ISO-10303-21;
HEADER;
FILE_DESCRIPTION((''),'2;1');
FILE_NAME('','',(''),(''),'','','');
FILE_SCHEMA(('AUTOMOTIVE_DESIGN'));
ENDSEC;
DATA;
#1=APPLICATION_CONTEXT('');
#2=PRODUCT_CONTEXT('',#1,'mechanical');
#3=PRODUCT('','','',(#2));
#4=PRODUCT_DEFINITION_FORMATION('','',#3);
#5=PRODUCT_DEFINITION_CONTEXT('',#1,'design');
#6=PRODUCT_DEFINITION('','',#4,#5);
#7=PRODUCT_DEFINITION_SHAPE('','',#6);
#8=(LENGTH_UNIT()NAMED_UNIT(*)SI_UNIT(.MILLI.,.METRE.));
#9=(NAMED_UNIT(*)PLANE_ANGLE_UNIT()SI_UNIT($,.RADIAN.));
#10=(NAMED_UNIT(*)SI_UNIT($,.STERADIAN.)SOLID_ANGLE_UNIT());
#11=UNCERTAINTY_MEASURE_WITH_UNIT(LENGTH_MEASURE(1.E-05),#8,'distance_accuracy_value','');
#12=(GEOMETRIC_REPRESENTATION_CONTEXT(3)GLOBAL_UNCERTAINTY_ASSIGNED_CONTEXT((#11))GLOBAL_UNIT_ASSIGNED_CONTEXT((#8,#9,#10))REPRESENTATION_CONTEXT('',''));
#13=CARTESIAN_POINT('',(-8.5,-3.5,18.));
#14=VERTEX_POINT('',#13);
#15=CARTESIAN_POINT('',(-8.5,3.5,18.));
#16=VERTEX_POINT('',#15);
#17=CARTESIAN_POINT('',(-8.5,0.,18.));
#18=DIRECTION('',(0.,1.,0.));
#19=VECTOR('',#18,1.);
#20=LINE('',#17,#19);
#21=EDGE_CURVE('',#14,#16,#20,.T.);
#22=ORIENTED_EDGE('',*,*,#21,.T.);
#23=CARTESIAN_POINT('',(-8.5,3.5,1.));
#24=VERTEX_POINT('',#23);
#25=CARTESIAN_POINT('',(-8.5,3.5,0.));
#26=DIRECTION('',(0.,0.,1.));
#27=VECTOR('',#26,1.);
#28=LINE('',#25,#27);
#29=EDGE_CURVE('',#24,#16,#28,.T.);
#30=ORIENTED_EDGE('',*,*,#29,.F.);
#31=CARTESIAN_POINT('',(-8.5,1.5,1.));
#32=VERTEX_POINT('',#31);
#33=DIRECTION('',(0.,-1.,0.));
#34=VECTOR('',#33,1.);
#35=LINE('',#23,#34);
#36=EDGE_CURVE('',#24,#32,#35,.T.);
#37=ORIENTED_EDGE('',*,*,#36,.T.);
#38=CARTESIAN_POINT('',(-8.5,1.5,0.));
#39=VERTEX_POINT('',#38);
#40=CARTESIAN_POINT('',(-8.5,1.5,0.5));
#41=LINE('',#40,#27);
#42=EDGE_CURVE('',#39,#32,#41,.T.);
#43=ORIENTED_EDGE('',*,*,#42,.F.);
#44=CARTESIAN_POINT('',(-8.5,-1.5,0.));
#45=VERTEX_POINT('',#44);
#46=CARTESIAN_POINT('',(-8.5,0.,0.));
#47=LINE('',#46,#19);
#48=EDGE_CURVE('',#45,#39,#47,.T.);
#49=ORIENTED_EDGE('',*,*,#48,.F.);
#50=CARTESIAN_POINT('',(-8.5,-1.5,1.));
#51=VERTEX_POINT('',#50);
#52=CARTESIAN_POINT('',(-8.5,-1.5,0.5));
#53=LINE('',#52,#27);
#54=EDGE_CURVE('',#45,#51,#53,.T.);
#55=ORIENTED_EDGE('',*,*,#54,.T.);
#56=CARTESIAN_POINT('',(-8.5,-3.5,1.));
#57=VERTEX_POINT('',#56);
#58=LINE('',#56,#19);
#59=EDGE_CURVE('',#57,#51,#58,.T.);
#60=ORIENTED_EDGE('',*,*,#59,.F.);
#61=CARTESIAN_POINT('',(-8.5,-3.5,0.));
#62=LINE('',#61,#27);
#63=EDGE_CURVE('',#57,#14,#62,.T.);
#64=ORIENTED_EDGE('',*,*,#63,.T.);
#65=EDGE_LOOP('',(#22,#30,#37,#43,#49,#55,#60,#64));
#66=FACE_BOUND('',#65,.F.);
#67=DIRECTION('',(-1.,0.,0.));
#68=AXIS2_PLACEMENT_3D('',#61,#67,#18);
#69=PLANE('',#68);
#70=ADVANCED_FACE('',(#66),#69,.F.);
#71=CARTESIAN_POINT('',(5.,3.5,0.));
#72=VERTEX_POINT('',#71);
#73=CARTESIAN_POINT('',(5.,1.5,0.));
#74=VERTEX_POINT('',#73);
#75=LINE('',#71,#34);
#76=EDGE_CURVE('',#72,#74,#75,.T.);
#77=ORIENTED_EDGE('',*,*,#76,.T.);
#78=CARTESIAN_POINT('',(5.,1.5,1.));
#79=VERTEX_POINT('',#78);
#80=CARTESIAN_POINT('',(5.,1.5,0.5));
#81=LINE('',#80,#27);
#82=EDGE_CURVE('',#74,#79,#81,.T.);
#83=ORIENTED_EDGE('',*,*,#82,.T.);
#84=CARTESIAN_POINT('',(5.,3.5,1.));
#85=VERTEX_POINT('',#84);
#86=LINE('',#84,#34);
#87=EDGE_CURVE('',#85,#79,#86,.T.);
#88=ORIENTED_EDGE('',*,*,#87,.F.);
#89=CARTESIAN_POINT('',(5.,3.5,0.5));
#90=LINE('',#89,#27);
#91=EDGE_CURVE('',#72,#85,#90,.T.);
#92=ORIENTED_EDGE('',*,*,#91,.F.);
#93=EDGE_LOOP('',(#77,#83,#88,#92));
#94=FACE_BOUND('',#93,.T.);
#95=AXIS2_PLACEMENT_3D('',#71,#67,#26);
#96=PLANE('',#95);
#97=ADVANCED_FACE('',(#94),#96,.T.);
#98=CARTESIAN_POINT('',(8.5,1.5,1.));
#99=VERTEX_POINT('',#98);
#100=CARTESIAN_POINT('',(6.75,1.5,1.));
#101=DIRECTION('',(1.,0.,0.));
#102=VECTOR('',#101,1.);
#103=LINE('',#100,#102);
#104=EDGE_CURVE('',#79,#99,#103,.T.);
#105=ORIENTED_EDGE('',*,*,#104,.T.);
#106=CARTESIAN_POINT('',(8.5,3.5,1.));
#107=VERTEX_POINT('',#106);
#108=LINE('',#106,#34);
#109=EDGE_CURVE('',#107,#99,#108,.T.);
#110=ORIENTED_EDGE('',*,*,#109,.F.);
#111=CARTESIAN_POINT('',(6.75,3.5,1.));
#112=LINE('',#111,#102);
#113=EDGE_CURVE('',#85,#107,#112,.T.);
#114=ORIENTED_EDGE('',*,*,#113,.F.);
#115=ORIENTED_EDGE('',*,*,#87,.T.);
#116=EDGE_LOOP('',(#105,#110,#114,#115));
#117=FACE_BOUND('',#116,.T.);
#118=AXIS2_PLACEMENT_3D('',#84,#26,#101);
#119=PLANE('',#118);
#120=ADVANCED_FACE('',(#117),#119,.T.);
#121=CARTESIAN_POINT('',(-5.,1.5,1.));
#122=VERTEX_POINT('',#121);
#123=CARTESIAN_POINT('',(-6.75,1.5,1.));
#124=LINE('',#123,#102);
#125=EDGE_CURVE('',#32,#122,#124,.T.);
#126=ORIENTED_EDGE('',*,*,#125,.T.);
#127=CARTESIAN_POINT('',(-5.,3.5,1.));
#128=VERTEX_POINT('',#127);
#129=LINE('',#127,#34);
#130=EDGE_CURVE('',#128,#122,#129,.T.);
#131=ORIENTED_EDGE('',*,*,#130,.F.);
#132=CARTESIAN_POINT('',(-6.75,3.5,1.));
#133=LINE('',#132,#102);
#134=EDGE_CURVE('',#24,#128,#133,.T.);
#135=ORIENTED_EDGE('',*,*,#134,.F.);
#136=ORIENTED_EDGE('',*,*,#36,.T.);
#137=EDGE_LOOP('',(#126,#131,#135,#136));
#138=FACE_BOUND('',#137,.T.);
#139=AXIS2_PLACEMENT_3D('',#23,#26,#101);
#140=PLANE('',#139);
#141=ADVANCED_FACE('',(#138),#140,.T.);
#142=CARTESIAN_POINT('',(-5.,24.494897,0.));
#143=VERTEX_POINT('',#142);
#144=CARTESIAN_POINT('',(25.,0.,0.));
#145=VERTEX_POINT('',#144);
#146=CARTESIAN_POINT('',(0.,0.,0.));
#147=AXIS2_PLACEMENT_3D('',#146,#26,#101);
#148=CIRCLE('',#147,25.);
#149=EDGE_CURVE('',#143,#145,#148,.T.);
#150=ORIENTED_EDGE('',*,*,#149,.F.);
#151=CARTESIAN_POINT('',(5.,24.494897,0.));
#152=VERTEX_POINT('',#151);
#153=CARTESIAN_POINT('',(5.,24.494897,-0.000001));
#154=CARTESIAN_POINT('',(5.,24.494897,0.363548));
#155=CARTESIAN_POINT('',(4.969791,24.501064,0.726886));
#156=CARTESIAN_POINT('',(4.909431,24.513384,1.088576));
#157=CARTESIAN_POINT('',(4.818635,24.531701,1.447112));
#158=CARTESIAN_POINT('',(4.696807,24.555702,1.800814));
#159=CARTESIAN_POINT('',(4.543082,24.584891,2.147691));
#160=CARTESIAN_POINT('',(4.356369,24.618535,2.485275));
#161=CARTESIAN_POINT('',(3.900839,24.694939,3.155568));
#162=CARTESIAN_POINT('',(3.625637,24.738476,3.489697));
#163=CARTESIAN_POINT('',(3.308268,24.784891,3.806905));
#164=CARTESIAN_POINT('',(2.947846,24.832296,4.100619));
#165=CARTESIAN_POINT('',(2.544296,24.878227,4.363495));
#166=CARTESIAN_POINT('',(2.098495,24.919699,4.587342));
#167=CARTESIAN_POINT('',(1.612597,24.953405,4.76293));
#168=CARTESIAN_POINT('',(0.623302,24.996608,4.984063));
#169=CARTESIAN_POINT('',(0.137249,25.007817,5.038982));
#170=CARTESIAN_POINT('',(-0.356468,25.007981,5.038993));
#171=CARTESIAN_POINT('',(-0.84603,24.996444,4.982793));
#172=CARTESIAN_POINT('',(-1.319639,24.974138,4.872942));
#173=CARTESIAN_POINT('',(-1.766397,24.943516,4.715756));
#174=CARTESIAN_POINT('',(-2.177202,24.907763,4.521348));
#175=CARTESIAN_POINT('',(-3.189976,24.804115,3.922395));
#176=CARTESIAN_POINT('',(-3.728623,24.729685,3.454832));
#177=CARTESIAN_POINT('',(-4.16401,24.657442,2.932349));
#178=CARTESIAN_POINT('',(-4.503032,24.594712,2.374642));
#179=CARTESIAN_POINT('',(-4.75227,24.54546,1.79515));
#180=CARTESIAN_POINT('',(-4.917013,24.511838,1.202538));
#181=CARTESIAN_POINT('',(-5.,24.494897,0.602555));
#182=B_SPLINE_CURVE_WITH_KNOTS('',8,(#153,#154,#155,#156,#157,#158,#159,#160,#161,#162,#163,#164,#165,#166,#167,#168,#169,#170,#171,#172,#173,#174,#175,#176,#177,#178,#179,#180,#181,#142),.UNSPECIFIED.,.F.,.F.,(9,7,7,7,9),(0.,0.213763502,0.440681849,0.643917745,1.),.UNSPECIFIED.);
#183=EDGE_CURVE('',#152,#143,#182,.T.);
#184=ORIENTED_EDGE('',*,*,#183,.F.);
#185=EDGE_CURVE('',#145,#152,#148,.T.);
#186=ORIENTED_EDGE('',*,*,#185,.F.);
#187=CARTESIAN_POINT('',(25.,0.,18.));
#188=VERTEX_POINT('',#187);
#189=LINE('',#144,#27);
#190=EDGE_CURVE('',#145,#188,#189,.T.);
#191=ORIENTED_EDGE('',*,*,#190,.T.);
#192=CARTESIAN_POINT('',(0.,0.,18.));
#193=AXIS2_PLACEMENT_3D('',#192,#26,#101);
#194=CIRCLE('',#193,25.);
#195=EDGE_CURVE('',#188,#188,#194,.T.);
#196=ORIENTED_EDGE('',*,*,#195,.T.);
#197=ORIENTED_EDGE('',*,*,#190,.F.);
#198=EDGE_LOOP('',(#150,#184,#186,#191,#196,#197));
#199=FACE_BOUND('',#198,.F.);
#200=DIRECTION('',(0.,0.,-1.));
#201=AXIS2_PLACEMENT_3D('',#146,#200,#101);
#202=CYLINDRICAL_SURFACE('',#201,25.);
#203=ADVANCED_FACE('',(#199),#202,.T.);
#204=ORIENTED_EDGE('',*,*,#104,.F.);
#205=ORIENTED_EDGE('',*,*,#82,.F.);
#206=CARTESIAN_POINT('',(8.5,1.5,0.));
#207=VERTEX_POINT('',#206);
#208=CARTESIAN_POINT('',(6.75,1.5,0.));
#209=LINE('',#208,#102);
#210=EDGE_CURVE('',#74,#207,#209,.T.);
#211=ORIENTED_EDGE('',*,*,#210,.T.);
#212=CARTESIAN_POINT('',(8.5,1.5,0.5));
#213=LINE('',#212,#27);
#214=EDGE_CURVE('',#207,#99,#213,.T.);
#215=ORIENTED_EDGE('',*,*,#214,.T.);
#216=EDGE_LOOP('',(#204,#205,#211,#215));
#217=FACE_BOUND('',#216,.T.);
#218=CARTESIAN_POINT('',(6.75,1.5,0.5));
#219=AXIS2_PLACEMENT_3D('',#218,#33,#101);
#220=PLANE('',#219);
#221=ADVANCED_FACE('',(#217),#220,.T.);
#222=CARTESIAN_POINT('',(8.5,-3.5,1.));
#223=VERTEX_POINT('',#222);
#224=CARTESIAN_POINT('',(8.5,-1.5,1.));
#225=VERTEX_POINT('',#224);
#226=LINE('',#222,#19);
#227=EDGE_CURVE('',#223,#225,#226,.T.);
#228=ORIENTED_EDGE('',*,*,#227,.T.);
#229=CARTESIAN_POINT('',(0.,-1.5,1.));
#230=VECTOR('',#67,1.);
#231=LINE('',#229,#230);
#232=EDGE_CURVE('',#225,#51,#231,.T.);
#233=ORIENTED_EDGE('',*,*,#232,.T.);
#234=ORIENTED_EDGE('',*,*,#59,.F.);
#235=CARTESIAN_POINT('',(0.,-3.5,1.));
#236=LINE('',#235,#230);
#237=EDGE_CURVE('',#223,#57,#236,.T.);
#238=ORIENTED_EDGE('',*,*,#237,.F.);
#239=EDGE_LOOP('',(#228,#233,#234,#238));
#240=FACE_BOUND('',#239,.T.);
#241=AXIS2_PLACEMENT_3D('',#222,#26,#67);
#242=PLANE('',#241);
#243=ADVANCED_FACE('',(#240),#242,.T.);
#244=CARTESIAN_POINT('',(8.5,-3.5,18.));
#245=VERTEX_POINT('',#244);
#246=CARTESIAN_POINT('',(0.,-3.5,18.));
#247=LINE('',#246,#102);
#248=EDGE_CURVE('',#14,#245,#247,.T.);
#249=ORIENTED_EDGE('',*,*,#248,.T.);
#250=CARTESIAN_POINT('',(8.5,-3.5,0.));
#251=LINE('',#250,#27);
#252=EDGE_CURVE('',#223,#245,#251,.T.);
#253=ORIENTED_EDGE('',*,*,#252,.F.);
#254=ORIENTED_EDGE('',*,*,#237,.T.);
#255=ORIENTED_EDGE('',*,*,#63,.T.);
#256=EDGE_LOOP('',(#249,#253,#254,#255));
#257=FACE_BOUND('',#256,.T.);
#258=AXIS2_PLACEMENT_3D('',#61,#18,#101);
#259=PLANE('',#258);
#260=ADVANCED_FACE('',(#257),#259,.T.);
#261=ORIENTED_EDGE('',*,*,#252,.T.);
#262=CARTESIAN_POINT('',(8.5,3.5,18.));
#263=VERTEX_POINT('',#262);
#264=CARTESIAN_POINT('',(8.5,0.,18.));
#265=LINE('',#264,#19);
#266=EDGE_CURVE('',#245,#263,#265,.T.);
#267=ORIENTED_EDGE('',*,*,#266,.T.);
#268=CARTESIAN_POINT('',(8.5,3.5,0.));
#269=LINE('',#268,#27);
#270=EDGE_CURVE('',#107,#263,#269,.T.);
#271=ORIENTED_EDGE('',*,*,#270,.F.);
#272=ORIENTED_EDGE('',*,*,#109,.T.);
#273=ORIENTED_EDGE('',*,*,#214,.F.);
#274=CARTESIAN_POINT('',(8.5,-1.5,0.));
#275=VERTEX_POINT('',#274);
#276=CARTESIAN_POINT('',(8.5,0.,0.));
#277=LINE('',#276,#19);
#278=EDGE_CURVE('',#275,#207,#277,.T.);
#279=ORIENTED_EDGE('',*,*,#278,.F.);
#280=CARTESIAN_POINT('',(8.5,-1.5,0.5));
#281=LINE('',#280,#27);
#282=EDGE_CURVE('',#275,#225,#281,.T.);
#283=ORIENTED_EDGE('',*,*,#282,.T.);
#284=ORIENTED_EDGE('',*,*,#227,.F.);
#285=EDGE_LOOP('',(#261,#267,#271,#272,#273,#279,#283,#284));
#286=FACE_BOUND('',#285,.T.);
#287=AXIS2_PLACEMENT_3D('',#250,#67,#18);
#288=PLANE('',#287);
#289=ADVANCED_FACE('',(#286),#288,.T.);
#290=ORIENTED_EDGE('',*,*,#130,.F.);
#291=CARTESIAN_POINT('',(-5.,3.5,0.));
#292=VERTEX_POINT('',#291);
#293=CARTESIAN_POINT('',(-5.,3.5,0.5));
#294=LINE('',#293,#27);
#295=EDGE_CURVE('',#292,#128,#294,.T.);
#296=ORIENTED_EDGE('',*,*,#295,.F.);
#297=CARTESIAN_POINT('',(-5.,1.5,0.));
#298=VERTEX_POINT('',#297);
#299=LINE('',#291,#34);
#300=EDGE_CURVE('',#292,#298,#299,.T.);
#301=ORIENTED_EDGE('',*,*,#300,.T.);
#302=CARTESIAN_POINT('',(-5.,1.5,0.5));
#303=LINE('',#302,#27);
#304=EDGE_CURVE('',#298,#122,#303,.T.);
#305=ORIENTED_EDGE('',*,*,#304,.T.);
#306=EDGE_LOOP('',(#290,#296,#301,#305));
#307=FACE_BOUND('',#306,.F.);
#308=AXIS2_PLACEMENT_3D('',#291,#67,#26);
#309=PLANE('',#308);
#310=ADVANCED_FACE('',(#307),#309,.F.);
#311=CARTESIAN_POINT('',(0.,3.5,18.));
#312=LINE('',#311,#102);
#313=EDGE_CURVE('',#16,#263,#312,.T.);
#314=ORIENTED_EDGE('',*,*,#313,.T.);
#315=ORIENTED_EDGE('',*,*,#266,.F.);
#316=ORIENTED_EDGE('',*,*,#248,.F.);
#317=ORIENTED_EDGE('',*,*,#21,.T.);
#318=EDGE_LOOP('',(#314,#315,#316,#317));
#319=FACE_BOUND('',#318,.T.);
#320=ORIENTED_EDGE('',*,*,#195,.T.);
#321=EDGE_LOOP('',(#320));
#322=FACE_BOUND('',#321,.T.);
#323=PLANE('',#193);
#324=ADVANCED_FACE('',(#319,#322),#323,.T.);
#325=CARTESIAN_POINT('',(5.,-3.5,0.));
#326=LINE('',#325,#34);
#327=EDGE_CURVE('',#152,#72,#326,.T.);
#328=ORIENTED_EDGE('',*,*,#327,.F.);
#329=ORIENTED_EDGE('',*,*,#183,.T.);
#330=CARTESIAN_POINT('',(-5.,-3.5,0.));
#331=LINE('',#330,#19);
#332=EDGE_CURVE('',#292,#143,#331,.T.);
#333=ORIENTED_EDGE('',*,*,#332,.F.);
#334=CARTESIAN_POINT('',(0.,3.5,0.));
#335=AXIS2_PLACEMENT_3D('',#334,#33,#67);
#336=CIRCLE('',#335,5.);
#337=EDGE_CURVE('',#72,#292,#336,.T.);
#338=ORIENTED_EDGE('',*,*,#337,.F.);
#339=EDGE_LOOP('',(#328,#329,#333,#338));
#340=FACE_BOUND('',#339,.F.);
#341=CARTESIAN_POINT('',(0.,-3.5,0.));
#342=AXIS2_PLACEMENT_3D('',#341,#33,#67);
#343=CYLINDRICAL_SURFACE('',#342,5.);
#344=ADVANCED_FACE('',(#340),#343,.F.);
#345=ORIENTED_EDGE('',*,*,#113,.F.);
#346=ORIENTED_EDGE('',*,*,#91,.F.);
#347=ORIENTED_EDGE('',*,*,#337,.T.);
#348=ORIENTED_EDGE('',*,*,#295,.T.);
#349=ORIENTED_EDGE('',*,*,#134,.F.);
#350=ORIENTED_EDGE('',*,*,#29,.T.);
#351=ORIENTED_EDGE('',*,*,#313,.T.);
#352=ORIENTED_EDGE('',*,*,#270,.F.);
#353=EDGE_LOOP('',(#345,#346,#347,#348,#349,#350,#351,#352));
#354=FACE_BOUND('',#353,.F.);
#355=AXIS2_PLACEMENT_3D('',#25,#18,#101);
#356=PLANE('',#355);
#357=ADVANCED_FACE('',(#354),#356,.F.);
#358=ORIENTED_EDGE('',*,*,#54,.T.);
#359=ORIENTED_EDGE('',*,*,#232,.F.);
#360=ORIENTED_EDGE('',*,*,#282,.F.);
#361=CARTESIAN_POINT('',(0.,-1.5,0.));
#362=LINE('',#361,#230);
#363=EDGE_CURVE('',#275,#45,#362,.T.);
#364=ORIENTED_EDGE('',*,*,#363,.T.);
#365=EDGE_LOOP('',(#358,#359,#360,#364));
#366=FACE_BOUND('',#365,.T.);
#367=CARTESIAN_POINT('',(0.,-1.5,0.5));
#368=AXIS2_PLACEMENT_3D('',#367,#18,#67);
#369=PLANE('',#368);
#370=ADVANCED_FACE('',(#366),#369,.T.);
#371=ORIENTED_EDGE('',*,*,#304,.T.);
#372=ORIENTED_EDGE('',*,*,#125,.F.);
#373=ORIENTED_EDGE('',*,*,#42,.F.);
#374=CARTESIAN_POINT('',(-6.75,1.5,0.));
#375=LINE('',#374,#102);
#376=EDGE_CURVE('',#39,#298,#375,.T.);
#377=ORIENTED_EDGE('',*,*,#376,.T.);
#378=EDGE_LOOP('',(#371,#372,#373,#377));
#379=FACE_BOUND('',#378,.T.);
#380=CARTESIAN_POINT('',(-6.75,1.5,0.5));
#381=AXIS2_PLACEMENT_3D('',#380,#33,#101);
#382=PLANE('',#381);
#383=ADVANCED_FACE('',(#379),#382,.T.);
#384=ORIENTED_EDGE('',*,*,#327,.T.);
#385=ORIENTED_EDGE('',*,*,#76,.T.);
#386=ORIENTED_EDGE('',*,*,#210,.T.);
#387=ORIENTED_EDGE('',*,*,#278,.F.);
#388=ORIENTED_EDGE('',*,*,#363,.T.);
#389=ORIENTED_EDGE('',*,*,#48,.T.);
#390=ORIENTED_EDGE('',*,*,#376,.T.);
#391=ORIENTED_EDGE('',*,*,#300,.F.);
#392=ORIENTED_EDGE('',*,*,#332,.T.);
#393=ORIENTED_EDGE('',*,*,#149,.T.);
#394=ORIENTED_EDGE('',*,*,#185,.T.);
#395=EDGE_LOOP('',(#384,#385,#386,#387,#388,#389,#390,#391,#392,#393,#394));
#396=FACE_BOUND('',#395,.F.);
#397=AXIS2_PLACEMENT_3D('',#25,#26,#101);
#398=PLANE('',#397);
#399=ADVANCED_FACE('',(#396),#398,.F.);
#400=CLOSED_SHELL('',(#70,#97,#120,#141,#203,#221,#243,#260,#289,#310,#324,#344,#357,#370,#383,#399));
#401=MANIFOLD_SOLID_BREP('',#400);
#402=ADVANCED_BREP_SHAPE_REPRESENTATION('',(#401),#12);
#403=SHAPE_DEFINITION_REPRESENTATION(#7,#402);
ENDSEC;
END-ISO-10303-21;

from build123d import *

# Parameters (mm, degrees)
F0_R     = 25
F0_W     = 17
F0_H     = 7
F1_DEPTH = 18
F3_D     = 10
F3_DEPTH = 100
F3_TIP   = 3.0043030951
F4_W     = 17
F4_H     = 1
F5_DEPTH = 2
F6_W     = 3.5
F6_H     = 1
F7_DEPTH = 2


with BuildPart() as f1:
    # F0 (on Top) → F1 (new body)
    with BuildSketch(Plane.XY):
        Circle(F0_R)
        Rectangle(F0_W, F0_H, mode=Mode.SUBTRACT)
    extrude(amount=F1_DEPTH)

    # F3 (one way)
    with BuildSketch(Plane(origin=(0, -3.5, 0), x_dir=(-1, 0, 0), z_dir=(0, -1, 0))):
        with Locations((0, 0)):
            Circle(F3_D / 2)
    extrude(amount=-F3_DEPTH, mode=Mode.SUBTRACT)
    with Locations(Plane(origin=(0, -3.5, 0), x_dir=(-1, 0, 0), z_dir=(0, -1, 0))):
        with Locations((0, 0)):
            with Locations((0, 0, -(F3_DEPTH + F3_TIP / 2))):  # 118° drill point
                Cone(0, F3_D / 2, F3_TIP, mode=Mode.SUBTRACT)

    # F4 (on face) → F5 (join)
    with BuildSketch(Plane(origin=(0, -3.5, 0), x_dir=(-1, 0, 0), z_dir=(0, 1, 0))):
        with Locations((0, 0.5)):
            Rectangle(F4_W, F4_H)
    extrude(amount=F5_DEPTH)

    # F6 (on face) → F7 (join)
    with BuildSketch(Plane.XZ.offset(-3.5)):
        with Locations((-6.75, 0.5)):
            Rectangle(F6_W, F6_H)
        with Locations((6.75, 0.5)):
            Rectangle(F6_W, F6_H)
    extrude(amount=F7_DEPTH)


solid = f1.part
